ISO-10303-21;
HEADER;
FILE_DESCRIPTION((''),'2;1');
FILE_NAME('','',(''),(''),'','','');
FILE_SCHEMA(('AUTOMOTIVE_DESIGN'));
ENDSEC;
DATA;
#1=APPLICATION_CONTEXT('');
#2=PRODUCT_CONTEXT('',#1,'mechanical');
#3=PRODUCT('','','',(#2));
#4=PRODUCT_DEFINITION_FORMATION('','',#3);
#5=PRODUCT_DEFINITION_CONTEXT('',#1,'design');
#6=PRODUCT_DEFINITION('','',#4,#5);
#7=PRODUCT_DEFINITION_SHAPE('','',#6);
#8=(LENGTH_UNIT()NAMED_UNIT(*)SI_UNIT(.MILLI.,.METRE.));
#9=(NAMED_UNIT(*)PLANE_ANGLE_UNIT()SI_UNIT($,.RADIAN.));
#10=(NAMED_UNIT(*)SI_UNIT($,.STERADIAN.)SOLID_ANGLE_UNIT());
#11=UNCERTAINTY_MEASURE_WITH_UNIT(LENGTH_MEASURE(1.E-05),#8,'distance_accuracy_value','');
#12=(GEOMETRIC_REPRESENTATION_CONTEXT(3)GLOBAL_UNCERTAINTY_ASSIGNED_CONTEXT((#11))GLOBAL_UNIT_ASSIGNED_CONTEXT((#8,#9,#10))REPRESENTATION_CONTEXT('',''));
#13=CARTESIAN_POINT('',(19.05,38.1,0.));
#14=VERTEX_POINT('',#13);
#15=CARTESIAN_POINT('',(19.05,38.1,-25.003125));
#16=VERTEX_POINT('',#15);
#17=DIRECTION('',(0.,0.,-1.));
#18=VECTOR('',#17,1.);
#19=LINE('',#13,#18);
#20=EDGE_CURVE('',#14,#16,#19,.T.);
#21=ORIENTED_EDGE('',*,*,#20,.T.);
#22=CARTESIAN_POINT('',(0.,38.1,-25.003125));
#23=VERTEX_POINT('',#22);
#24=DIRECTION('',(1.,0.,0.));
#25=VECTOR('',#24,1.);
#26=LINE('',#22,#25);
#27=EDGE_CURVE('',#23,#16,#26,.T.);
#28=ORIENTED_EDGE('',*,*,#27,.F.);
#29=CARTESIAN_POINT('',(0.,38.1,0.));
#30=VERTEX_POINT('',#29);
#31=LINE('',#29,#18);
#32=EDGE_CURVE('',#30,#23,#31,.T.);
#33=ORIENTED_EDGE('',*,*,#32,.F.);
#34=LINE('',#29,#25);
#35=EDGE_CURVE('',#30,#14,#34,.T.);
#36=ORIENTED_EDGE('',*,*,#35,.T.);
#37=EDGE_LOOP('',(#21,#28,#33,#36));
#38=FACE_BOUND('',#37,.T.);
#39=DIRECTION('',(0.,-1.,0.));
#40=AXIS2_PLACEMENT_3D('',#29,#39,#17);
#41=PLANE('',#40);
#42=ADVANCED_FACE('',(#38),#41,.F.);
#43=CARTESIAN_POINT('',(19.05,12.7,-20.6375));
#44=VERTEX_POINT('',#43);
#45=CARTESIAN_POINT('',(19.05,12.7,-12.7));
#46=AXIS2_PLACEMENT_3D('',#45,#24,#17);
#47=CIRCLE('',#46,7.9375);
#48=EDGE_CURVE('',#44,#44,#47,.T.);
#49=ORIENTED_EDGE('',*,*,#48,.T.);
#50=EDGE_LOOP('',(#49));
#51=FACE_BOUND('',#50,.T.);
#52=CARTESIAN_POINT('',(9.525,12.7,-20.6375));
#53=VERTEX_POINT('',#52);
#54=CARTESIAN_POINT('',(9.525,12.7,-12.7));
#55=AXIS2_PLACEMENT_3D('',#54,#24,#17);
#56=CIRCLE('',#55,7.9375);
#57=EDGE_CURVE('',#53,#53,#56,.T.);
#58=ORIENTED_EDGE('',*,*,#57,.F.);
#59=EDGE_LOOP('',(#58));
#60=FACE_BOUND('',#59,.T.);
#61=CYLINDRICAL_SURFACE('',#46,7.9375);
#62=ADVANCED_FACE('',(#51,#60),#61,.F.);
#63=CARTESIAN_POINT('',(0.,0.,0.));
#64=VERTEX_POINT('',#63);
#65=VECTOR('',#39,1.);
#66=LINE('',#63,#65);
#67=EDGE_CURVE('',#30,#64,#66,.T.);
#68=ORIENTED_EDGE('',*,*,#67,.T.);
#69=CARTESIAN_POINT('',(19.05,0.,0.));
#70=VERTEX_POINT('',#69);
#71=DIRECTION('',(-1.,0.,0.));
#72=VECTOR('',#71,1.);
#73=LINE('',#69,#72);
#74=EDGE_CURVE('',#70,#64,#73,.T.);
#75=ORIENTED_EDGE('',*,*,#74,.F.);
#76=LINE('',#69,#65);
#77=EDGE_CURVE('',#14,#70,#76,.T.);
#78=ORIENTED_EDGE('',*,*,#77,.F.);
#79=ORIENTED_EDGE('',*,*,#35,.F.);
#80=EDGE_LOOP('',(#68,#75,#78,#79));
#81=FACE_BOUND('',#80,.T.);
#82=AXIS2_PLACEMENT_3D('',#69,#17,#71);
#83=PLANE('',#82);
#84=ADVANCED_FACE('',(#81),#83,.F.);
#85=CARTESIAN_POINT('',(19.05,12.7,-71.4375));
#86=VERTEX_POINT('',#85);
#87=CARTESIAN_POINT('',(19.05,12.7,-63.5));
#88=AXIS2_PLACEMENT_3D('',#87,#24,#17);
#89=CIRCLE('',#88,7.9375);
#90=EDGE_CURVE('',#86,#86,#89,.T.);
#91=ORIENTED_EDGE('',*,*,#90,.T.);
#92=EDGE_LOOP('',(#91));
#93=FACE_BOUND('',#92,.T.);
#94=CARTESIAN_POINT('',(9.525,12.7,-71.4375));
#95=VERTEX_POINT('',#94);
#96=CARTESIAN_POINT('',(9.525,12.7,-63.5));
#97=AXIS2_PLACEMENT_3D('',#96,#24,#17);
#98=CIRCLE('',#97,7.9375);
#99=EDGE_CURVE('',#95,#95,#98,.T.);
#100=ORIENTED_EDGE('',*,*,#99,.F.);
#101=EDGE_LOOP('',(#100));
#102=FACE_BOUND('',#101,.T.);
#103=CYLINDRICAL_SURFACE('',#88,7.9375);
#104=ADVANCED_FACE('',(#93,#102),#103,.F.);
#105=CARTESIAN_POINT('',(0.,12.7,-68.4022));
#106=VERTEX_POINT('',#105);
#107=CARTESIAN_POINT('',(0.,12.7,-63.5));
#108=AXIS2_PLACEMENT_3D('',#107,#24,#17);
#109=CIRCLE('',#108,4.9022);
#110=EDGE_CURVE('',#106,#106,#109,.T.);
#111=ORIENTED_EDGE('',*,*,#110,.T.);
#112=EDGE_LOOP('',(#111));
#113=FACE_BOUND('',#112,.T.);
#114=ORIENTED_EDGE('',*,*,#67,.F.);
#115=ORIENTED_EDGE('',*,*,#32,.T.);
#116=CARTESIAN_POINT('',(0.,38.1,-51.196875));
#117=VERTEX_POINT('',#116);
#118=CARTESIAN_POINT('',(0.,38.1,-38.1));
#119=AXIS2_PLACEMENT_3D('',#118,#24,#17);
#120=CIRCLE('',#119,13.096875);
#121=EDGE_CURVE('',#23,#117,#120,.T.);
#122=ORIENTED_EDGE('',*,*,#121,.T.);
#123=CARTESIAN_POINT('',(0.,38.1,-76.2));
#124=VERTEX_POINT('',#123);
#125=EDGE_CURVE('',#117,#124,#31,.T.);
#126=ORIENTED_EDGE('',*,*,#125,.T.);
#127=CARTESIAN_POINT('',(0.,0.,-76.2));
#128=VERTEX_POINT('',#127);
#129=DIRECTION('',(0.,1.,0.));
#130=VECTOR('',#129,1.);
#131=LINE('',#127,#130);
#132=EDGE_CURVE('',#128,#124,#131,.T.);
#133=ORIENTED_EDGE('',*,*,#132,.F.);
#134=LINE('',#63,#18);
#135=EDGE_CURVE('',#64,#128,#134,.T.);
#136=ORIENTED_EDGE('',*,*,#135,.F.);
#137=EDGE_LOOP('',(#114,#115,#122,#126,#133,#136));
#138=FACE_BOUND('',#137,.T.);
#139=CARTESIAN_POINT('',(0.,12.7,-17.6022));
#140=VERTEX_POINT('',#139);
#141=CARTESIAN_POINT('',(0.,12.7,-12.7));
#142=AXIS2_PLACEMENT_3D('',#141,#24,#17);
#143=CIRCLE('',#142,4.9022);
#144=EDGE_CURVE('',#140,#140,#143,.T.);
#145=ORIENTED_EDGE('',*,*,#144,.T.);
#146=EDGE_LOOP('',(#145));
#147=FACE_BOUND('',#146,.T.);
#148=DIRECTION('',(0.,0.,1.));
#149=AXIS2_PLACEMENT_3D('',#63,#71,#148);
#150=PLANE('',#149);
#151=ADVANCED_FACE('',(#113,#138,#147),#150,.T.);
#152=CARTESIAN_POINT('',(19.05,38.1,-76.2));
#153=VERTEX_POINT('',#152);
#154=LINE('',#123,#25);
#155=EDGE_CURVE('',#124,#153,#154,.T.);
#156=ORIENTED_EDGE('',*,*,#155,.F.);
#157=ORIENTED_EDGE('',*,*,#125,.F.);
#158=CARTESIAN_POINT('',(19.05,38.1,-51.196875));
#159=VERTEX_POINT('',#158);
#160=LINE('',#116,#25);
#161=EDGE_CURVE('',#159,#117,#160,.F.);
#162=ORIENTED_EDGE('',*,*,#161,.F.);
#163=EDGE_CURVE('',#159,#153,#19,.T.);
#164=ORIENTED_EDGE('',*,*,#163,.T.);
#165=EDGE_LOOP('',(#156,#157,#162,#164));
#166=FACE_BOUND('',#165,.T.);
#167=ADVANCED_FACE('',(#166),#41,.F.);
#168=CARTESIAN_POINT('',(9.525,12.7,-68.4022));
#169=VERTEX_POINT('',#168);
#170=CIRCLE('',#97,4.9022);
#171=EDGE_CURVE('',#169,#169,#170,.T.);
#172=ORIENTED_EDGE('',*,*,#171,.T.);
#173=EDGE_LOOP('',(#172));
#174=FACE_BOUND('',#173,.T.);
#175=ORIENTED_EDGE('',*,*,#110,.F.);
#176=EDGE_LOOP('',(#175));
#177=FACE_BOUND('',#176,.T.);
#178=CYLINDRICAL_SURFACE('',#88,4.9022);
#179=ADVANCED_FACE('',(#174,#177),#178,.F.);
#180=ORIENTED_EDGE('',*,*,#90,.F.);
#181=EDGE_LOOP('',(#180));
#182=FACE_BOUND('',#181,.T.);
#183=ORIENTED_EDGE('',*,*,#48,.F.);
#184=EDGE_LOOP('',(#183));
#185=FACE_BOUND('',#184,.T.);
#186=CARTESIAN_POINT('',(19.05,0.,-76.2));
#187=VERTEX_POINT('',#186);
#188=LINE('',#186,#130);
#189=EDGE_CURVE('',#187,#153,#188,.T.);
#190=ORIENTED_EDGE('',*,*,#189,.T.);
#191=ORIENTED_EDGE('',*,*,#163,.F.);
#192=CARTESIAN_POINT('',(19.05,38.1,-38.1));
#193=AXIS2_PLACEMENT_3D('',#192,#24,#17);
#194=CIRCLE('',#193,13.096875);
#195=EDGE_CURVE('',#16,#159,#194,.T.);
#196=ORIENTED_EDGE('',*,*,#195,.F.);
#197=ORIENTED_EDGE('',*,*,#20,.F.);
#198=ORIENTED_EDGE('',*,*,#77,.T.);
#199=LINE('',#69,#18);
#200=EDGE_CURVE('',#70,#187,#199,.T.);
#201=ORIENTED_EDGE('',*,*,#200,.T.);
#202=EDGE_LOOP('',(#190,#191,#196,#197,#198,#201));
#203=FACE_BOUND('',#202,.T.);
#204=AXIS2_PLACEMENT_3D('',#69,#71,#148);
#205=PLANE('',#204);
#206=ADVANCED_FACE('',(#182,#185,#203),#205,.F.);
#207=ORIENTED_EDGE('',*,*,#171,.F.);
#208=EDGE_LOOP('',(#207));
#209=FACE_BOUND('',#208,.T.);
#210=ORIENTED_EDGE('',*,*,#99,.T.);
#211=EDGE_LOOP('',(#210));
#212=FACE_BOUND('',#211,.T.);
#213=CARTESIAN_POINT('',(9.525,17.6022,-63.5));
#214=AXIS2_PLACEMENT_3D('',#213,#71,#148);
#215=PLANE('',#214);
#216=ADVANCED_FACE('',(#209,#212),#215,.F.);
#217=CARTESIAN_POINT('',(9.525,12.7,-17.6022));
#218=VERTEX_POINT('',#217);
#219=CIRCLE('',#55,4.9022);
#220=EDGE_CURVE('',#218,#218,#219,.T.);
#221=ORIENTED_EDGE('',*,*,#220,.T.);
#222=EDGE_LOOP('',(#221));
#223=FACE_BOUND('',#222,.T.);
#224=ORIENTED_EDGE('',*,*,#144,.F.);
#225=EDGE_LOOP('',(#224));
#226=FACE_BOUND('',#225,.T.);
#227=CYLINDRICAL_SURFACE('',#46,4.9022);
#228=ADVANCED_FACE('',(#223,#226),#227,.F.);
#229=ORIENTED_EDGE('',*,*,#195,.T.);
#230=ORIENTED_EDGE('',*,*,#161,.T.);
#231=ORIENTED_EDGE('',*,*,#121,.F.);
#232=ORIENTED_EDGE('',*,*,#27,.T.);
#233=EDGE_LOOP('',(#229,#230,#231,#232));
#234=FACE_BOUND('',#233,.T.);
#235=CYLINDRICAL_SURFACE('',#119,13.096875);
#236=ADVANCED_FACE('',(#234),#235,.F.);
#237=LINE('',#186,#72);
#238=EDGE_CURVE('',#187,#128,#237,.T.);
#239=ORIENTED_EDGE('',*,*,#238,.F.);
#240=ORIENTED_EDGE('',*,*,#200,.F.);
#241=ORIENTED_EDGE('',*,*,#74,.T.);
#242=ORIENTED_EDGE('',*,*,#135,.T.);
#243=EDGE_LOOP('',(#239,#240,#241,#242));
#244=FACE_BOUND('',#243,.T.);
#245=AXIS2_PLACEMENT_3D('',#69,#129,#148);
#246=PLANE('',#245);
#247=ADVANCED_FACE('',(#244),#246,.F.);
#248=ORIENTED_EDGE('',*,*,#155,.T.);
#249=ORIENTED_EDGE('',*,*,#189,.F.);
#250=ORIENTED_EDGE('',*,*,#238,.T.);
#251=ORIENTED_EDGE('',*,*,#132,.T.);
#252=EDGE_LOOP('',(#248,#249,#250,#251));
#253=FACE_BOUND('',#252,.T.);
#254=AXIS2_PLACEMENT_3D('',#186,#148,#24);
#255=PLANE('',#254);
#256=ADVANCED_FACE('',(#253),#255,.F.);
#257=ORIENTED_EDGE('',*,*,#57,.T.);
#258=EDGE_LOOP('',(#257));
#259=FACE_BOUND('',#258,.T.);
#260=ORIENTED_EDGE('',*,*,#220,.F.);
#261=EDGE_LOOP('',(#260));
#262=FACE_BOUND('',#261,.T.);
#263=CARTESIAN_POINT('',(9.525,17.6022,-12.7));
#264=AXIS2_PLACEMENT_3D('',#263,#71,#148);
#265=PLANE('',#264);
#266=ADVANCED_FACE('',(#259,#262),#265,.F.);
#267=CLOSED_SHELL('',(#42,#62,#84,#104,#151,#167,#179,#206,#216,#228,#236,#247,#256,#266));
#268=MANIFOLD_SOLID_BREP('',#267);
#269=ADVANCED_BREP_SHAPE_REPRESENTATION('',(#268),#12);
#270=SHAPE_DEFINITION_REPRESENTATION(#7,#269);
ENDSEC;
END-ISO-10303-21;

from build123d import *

# Parameters (mm, degrees)
SKETCH1_W                                        = 76.2
SKETCH1_H                                        = 76.2
BOSS_EXTRUDE1_DEPTH                              = 19.05
SKETCH2_R                                        = 13.096875
CUT_EXTRUDE1_DEPTH                               = 110.433918417
CBORE_FOR_3_8_SOCKET_HEAD_CAP_SCREW1_D           = 9.8044
CBORE_FOR_3_8_SOCKET_HEAD_CAP_SCREW1_CBORE_D     = 15.875
CBORE_FOR_3_8_SOCKET_HEAD_CAP_SCREW1_CBORE_DEPTH = 9.525
SKETCH5_W                                        = 76.2
SKETCH5_H                                        = 38.1
CUT_EXTRUDE2_DEPTH                               = 110.433918417


with BuildPart() as part:
    # Sketch1 → Boss-Extrude1 (new body)
    with BuildSketch(Plane(origin=(0, 0, 0), x_dir=(0, 0, -1), z_dir=(1, 0, 0))):
        with Locations((38.1, 38.1)):
            Rectangle(SKETCH1_W, SKETCH1_H)
    extrude(amount=BOSS_EXTRUDE1_DEPTH)

    # Sketch2 → Cut-Extrude1 (cut, through all)
    with BuildSketch(Plane(origin=(19.05, 0, 0), x_dir=(0, 0, -1), z_dir=(1, 0, 0))):
        with Locations((38.1, 38.1)):
            Circle(SKETCH2_R)
    extrude(amount=-CUT_EXTRUDE1_DEPTH, mode=Mode.SUBTRACT)

    # CBORE for 3/8 Socket Head Cap Screw1 (through all)
    with Locations(Plane(origin=(19.05, 0, 0), x_dir=(0, 0, -1), z_dir=(1, 0, 0))):
        with Locations((12.7, 12.7), (63.5, 12.7)):
            CounterBoreHole(CBORE_FOR_3_8_SOCKET_HEAD_CAP_SCREW1_D / 2, CBORE_FOR_3_8_SOCKET_HEAD_CAP_SCREW1_CBORE_D / 2, CBORE_FOR_3_8_SOCKET_HEAD_CAP_SCREW1_CBORE_DEPTH)

    # Sketch5 → Cut-Extrude2 (cut, through all)
    with BuildSketch(Plane(origin=(19.05, 0, 0), x_dir=(0, 0, -1), z_dir=(1, 0, 0))):
        with Locations((38.1, 57.15)):
            Rectangle(SKETCH5_W, SKETCH5_H)
    extrude(amount=-CUT_EXTRUDE2_DEPTH, mode=Mode.SUBTRACT)


solid = part.part
